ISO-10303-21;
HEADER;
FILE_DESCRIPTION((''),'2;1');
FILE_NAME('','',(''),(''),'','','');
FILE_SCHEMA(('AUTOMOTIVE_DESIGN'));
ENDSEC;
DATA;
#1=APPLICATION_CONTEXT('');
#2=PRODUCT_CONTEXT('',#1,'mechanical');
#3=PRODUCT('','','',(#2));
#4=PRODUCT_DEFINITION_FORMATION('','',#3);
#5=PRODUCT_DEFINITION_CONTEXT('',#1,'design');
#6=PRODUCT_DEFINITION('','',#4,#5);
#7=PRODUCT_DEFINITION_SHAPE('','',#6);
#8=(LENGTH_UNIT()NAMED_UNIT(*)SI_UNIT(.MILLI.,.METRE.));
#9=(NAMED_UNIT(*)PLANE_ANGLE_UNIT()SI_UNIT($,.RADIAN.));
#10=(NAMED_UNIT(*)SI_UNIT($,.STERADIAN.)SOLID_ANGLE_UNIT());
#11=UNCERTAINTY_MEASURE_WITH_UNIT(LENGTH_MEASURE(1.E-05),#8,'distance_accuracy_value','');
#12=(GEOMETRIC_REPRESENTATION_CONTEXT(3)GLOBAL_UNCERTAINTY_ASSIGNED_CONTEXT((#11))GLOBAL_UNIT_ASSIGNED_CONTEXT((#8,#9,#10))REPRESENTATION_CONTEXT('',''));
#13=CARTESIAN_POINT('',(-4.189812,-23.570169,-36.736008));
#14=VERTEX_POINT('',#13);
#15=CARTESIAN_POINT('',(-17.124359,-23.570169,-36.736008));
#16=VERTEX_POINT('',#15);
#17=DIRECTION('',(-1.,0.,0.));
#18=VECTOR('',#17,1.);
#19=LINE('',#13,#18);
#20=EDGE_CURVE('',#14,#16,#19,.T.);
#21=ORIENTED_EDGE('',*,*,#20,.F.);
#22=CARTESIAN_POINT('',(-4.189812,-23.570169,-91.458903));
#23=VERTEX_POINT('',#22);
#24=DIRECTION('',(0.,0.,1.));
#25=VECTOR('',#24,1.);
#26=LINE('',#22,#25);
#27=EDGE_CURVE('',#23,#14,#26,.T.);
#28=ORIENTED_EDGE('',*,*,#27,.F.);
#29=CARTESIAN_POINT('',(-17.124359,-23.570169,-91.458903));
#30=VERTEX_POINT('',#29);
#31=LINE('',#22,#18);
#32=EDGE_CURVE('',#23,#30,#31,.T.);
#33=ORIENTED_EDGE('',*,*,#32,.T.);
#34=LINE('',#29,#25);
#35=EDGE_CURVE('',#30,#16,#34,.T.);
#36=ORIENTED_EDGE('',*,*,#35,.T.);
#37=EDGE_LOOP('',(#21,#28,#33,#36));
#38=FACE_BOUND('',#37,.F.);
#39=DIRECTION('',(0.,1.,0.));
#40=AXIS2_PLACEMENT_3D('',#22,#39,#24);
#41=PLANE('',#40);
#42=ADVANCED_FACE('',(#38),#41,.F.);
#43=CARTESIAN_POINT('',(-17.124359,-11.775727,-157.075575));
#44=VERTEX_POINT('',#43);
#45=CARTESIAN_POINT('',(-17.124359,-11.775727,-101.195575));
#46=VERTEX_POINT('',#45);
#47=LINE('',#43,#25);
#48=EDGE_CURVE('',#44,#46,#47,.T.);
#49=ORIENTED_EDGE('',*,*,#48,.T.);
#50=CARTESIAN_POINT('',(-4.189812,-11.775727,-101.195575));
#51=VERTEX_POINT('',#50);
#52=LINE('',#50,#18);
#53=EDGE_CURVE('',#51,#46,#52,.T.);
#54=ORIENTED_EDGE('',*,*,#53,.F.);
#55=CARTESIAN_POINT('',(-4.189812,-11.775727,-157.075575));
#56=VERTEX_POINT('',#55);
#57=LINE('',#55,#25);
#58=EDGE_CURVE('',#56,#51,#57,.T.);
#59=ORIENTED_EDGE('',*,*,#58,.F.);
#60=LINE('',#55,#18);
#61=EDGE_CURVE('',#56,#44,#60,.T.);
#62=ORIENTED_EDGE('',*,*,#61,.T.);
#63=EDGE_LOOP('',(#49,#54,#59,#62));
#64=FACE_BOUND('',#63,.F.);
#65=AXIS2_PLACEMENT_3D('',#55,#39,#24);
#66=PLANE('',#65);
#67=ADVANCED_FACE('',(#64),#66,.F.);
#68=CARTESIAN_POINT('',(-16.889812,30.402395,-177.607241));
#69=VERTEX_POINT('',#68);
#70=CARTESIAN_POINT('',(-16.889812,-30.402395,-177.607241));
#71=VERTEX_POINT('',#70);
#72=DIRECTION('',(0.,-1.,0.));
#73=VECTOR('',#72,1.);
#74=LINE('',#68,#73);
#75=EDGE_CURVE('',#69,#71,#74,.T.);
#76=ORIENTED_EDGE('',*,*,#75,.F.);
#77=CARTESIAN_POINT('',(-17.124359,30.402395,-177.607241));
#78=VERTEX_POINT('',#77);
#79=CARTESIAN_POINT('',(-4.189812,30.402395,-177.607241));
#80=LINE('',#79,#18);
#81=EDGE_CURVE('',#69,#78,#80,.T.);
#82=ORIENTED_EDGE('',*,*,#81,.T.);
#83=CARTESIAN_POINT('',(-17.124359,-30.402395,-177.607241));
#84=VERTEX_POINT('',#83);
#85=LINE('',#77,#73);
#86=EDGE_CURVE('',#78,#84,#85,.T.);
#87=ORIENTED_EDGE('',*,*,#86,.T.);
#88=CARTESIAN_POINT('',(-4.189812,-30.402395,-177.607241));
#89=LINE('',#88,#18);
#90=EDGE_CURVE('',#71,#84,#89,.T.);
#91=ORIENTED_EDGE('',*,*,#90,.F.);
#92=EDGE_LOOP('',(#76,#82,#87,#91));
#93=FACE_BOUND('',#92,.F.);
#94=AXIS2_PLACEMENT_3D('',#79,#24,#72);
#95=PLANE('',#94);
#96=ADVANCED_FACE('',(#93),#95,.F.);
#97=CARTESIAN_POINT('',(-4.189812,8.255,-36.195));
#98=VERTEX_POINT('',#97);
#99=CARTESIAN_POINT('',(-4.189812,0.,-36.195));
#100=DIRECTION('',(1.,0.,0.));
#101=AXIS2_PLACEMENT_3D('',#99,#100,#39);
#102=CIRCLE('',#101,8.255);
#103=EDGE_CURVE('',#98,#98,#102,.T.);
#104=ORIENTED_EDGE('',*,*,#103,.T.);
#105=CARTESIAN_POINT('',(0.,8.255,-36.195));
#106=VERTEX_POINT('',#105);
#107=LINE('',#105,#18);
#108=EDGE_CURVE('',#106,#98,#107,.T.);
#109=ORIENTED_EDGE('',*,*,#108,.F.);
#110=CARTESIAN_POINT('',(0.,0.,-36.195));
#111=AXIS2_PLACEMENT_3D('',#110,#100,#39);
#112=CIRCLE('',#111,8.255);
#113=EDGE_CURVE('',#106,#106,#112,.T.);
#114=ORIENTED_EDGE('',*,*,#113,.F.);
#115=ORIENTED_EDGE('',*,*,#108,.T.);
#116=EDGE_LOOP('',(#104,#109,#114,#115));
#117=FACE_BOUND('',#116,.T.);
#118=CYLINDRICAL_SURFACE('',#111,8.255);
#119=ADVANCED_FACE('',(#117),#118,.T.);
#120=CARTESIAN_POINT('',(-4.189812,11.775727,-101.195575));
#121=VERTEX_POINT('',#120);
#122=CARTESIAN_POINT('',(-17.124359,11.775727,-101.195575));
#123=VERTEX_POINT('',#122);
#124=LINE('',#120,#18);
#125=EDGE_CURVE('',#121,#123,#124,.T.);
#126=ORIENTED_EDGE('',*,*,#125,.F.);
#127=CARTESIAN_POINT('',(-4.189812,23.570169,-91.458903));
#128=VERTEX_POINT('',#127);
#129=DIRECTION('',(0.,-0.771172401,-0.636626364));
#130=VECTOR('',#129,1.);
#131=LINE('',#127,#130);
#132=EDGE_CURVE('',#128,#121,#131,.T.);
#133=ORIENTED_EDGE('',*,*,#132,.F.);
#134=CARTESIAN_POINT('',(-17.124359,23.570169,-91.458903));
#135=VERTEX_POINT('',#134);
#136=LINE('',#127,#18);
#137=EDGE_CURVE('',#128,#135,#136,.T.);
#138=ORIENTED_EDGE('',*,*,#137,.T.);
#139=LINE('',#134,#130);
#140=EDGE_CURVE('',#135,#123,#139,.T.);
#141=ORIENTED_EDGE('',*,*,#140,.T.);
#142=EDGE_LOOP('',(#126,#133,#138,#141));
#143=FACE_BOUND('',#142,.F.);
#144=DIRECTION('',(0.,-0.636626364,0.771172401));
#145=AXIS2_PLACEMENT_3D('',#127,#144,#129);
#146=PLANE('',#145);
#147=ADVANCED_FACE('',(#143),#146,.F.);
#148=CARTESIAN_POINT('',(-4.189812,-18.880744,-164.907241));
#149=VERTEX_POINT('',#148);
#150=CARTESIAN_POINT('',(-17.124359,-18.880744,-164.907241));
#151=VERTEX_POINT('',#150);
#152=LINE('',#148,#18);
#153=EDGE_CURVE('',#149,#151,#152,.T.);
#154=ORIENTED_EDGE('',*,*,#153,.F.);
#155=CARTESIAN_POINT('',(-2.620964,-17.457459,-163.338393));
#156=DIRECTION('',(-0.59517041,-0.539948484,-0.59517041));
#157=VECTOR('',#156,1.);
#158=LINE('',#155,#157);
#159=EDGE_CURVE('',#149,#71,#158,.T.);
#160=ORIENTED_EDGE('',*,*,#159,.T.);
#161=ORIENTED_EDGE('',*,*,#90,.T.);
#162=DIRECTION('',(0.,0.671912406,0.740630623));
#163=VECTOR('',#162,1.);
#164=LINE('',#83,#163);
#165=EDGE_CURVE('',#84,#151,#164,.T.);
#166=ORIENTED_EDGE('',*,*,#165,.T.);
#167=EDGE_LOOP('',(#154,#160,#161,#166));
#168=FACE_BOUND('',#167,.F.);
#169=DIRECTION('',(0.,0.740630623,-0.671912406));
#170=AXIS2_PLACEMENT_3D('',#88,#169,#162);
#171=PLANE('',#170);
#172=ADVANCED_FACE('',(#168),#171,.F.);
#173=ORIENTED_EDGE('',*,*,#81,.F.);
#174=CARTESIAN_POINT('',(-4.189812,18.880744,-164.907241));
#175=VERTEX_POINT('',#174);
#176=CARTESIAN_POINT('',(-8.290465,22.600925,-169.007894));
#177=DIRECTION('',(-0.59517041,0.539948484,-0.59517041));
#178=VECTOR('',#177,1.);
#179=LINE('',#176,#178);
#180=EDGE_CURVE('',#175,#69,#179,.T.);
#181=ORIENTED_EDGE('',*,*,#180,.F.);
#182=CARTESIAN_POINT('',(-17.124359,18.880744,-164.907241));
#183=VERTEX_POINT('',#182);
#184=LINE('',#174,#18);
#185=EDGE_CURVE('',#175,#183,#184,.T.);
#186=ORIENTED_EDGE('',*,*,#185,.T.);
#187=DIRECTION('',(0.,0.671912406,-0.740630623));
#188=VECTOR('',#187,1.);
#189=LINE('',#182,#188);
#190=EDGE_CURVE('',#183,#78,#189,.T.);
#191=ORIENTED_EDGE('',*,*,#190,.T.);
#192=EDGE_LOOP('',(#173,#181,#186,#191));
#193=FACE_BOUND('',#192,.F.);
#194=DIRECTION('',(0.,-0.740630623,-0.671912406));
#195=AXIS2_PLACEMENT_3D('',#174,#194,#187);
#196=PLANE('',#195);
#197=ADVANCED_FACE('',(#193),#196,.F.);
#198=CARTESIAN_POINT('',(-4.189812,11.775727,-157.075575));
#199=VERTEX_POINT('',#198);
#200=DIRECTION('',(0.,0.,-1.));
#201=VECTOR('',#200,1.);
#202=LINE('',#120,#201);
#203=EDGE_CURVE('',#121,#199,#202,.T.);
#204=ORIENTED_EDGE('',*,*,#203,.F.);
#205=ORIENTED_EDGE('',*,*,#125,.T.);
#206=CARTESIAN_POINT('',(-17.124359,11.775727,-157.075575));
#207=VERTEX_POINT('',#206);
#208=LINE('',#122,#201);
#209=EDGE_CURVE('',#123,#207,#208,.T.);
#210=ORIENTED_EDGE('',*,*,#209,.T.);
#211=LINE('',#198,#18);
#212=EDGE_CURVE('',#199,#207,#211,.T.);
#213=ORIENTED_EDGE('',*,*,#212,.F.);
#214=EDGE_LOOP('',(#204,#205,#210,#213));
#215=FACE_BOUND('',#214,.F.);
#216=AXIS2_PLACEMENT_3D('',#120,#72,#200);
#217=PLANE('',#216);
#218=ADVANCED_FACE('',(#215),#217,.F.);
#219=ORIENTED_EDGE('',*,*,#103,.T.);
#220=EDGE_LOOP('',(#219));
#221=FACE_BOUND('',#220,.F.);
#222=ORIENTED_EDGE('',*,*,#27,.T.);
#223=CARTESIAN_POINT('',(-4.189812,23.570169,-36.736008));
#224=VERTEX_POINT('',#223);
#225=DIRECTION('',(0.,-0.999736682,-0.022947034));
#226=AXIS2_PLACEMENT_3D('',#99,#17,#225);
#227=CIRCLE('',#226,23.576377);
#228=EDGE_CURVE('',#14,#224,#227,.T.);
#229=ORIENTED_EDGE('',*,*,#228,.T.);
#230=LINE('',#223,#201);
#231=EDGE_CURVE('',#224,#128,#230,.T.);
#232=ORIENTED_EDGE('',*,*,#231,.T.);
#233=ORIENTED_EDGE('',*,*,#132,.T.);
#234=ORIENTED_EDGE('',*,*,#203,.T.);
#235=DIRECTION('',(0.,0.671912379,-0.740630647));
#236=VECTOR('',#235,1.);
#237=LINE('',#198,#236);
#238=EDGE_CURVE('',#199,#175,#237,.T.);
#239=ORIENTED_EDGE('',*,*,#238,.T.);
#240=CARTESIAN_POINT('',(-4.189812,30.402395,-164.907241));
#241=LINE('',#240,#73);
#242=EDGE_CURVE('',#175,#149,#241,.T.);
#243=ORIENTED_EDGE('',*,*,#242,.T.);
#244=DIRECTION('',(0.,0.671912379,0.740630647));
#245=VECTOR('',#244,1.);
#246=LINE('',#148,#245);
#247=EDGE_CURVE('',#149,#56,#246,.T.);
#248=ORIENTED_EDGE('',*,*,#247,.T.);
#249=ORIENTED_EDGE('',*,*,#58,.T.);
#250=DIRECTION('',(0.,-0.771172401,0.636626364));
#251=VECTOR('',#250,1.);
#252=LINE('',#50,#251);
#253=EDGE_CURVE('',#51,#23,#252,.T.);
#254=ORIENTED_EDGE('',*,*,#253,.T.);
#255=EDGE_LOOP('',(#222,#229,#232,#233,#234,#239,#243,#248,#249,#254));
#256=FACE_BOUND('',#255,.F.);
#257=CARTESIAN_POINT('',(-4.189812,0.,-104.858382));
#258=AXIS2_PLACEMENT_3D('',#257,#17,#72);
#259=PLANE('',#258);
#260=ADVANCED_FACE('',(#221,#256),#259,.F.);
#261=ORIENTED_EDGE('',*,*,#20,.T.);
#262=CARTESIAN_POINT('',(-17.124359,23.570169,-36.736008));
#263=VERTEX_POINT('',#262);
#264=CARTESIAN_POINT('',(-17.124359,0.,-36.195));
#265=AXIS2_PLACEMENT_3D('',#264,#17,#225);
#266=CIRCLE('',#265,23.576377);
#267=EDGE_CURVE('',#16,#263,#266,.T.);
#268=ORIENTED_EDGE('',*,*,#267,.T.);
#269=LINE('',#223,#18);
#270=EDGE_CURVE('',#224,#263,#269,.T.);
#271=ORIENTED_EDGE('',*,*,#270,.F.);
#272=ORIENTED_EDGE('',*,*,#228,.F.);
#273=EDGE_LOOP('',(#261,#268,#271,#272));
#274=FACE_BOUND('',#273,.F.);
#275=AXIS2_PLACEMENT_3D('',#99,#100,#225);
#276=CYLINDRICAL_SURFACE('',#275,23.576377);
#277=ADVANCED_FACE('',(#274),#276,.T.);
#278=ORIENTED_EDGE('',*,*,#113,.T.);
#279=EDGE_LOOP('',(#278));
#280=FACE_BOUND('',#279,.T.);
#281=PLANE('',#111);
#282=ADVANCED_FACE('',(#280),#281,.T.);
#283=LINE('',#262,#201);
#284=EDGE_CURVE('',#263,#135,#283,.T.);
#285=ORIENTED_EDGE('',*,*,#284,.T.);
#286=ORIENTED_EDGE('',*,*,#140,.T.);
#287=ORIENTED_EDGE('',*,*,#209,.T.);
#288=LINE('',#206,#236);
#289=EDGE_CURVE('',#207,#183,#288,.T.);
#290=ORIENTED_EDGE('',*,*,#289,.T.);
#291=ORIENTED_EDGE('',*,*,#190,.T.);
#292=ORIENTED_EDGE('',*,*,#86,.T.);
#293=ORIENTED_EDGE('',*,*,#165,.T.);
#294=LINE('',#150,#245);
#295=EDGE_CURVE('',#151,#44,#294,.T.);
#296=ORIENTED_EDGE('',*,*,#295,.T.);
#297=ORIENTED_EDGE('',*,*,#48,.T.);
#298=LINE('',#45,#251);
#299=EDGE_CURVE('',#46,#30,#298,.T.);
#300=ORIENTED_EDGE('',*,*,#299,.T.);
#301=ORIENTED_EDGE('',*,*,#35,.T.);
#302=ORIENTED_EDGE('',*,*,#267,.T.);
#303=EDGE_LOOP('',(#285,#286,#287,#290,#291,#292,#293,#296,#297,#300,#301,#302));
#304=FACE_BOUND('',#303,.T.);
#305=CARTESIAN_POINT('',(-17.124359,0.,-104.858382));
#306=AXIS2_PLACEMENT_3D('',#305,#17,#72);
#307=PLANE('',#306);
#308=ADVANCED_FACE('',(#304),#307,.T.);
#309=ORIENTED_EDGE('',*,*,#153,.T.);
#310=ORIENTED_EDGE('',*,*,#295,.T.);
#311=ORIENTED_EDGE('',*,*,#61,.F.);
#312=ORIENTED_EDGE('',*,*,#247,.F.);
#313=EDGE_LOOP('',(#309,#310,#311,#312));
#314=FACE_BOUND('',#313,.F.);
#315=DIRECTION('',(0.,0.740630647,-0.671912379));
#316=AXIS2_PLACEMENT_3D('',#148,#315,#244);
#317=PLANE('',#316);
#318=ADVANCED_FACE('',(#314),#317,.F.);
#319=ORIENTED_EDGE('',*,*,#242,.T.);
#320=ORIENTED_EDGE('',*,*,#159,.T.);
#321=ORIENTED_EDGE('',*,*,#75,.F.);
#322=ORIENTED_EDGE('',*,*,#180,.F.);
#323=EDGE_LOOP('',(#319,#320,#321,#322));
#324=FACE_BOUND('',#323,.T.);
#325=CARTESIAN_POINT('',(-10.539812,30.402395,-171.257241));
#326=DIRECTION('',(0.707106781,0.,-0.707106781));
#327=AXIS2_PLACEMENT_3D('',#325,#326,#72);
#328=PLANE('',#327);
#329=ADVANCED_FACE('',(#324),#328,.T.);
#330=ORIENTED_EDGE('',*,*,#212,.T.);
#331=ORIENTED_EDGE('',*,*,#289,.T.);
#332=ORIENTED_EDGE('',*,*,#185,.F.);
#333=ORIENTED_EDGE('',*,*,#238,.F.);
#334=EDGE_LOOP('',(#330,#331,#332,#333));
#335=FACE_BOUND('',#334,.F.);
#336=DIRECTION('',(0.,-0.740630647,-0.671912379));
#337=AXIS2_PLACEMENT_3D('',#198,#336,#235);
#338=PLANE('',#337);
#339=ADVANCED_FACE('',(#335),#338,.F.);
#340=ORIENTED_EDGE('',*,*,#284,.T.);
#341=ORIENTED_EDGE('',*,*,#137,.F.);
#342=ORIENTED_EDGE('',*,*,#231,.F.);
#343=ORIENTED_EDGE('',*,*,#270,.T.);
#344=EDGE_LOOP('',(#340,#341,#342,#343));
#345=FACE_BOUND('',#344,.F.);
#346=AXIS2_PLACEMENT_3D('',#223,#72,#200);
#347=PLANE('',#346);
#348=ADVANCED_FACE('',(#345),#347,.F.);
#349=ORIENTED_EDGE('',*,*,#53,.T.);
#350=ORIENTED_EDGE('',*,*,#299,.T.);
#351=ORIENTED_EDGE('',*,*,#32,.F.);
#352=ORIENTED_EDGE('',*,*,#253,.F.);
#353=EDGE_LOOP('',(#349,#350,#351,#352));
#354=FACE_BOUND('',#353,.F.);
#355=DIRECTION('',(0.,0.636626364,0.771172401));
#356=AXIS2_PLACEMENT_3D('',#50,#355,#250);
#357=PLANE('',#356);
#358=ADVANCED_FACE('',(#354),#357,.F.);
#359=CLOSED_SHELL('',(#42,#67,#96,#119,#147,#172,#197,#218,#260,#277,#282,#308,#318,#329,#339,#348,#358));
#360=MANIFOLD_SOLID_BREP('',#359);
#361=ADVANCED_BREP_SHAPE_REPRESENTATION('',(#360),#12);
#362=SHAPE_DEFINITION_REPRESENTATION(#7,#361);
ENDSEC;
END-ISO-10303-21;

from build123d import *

# Parameters (mm, degrees)
F0_R     = 8.255
F1_DEPTH = 4.189812
F3_DEPTH = 12.934547
F4_SIZE  = 12.7


with BuildPart() as f1:
    # F0 (on Right) → F1 (new body)
    with BuildSketch(Plane.YZ):
        with Locations((0, -36.195)):
            Circle(F0_R)
    extrude(amount=-F1_DEPTH)

    # F2 (on face) → F3 (join)
    with BuildSketch(Plane(origin=(-4.189812, 0, 0), x_dir=(0, -1, 0), z_dir=(-1, 0, 0))):
        with BuildLine():
            ThreePointArc((23.570169, -36.736008), (0, -12.618623), (-23.570169, -36.736008))
            Line((-23.570169, -36.736008), (-23.570169, -91.458903))
            Line((-23.570169, -91.458903), (-11.775727, -101.195575))
            Line((-11.775727, -101.195575), (-11.775727, -157.075575))
            Line((-11.775727, -157.075575), (-18.880744, -164.907241))
            Line((-18.880744, -164.907241), (-30.402395, -177.607241))
            Line((-30.402395, -177.607241), (30.402395, -177.607241))
            Line((30.402395, -177.607241), (18.880744, -164.907241))
            Line((18.880744, -164.907241), (11.775727, -157.075575))
            Line((11.775727, -157.075575), (11.775727, -101.195575))
            Line((11.775727, -101.195575), (23.570169, -91.458903))
            Line((23.570169, -91.458903), (23.570169, -36.736008))
        make_face()
    extrude(amount=F3_DEPTH)

    # F4
    f4_edges = [f1.edges().sort_by_distance(p)[0] for p in [
        (-4.189812, 0, -177.607241),
    ]]
    chamfer(f4_edges, length=F4_SIZE)


solid = f1.part
